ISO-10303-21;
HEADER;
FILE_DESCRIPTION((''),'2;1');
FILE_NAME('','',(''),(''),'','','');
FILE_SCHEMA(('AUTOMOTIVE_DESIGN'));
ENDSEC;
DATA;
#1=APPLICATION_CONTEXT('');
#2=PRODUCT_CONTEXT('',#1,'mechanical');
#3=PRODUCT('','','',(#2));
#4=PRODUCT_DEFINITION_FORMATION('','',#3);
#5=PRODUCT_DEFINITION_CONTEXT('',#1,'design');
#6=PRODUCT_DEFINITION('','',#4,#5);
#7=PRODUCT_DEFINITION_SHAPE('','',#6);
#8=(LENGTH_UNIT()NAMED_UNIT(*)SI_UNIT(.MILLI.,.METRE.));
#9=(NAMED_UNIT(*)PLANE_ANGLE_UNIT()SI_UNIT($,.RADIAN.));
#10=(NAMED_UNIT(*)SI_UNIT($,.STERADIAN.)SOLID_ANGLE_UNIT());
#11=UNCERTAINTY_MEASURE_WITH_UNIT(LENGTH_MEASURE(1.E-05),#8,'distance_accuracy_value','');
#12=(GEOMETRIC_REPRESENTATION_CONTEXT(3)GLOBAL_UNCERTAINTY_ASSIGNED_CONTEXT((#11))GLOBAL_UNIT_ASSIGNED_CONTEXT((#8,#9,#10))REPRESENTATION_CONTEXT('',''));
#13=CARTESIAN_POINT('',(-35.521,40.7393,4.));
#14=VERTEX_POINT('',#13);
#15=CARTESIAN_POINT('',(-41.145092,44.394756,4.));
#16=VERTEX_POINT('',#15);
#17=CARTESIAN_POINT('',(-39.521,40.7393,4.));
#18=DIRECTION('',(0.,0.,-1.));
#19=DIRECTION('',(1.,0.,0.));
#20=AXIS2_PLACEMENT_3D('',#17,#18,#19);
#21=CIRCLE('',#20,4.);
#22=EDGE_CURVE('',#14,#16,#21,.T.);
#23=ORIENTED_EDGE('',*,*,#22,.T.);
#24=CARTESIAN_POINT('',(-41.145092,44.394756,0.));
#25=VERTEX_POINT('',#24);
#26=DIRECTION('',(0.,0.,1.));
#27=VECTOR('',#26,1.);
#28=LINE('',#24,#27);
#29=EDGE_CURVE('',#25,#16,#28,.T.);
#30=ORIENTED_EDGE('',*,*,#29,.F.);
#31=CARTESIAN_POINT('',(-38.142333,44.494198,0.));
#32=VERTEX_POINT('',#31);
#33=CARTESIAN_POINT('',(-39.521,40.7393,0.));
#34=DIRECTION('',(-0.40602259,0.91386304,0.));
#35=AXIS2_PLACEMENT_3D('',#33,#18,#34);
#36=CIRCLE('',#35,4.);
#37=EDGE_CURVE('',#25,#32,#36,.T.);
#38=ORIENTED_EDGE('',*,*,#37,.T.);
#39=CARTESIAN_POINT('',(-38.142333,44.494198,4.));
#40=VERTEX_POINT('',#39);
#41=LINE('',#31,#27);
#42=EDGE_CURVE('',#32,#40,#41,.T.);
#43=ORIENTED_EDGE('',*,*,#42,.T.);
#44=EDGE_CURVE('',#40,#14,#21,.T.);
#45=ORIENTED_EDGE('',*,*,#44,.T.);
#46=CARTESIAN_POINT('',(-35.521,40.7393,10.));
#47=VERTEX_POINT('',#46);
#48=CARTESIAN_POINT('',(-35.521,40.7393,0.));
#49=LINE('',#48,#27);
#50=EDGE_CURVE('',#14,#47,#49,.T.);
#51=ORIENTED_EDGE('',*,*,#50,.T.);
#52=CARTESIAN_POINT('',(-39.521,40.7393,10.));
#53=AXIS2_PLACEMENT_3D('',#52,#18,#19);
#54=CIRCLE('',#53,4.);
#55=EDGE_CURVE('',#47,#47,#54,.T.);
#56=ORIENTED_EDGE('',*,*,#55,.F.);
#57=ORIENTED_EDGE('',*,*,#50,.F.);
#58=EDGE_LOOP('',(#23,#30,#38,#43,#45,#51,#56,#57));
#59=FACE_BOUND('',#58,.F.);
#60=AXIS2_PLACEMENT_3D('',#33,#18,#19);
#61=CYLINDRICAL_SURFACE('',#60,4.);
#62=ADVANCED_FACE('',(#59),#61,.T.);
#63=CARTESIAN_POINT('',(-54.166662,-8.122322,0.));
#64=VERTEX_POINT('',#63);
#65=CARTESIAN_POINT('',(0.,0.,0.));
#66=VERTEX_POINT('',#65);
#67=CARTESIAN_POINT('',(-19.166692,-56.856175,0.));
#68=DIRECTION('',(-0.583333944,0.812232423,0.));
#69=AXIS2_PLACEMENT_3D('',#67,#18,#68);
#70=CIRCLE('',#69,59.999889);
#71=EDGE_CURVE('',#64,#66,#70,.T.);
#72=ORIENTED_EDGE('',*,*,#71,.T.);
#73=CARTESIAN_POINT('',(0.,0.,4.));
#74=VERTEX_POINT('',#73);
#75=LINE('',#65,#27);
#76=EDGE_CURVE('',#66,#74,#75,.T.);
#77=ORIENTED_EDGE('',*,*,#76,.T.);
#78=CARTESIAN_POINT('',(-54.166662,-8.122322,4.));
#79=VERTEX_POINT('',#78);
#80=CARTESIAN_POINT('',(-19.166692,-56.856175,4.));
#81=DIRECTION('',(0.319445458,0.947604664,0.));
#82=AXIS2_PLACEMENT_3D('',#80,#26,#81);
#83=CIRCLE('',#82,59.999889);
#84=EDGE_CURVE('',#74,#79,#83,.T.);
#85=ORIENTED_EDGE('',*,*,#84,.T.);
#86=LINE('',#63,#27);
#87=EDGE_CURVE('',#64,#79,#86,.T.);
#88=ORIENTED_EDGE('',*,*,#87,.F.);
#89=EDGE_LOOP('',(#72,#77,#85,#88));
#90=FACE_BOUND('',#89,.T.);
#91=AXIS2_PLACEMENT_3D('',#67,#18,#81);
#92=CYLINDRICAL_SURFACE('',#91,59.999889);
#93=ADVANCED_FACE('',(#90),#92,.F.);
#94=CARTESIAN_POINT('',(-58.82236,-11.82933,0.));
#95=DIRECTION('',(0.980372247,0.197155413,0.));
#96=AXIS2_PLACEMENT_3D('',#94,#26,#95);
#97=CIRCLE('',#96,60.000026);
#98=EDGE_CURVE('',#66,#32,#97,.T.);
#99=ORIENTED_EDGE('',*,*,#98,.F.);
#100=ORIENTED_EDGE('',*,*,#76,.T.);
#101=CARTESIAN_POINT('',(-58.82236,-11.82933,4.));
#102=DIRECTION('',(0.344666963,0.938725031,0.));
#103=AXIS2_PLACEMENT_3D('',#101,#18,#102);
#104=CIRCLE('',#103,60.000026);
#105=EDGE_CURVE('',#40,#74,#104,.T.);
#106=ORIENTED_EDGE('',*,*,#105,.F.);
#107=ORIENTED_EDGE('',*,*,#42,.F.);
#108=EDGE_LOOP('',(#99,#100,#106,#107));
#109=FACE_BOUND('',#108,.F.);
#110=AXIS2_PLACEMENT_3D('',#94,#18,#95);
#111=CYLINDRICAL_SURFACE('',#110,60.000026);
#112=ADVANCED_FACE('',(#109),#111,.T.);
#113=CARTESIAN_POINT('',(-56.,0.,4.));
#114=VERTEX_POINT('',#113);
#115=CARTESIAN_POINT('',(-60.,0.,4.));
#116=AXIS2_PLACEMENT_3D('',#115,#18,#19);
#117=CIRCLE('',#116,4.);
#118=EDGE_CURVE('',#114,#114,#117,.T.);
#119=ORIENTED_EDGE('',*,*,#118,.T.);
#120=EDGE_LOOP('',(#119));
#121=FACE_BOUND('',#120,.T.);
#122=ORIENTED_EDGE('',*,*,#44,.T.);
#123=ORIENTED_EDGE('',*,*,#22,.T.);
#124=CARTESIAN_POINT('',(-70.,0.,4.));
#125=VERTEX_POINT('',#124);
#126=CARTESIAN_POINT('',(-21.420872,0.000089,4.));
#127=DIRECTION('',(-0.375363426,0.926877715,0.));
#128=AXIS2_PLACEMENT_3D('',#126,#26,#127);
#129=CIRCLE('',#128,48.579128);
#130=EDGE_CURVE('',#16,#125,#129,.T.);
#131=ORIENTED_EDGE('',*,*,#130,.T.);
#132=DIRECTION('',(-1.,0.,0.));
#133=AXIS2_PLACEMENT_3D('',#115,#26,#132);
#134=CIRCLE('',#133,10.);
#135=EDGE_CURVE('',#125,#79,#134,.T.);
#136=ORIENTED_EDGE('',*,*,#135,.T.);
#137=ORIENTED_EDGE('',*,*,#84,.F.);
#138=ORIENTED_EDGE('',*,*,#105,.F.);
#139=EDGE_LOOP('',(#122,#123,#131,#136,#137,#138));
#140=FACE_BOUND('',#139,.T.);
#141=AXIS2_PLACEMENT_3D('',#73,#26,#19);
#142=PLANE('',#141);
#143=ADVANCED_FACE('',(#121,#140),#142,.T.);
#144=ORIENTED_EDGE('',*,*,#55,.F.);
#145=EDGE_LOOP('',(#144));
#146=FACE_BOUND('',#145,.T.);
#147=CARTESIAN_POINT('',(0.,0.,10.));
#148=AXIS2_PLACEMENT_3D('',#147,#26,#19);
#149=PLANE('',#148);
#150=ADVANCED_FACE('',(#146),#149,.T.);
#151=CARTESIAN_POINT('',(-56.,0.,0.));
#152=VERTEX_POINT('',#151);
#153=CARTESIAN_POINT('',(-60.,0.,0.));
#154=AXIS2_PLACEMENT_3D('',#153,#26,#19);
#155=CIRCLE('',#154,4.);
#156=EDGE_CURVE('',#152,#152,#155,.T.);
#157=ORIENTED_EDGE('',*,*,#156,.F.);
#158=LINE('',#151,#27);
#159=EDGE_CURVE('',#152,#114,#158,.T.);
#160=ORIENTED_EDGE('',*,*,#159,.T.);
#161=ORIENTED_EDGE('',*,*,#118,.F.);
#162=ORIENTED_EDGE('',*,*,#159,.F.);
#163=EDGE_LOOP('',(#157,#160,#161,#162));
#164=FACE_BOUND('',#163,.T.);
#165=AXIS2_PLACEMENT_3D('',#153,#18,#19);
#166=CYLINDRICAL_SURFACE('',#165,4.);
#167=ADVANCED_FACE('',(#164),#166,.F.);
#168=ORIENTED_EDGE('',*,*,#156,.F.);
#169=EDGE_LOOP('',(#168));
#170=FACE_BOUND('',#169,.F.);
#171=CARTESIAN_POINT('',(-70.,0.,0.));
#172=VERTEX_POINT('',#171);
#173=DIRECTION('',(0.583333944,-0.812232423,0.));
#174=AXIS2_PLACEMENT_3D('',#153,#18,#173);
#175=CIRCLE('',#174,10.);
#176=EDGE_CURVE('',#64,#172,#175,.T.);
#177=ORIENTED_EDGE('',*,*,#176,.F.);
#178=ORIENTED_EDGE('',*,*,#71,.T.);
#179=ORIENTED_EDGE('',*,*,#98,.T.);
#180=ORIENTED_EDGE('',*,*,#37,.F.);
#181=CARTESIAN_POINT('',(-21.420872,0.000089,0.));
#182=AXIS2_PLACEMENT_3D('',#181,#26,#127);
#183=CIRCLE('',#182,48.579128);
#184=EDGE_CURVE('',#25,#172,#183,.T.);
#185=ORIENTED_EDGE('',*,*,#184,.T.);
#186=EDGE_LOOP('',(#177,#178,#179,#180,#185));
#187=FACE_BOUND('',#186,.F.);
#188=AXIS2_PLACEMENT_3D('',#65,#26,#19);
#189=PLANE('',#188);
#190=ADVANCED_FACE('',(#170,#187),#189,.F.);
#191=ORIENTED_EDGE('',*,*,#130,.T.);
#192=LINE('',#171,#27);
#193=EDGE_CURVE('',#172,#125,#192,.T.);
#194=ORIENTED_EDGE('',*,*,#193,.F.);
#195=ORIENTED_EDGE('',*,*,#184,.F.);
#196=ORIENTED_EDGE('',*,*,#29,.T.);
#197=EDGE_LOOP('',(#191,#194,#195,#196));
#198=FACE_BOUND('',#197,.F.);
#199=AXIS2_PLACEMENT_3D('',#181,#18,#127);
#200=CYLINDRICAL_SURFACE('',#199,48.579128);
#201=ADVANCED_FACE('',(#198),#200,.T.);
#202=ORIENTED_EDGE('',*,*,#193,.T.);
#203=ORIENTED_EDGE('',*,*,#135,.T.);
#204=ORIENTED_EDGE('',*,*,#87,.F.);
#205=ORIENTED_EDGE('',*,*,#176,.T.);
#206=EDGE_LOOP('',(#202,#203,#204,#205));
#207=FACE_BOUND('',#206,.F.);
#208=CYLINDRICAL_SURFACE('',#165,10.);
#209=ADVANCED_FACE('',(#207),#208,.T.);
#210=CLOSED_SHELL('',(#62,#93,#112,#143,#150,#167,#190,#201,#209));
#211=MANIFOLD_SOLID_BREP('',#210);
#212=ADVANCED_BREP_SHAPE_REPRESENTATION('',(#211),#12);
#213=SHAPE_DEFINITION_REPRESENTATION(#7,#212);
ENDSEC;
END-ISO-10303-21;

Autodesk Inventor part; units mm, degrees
ref_plane "YZ Plane" through (0, 0, 0) normal (1, 0, 0) x (0, 1, 0)
ref_plane "XZ Plane" through (0, 0, 0) normal (0, 1, 0) x (-1, 0, 0)
ref_plane "XY Plane" through (0, 0, 0) normal (0, 0, 1) x (1, 0, 0)
sketch "Sketch1" plane through (0, 0, 0) normal (0, 0, 1) x (1, 0, 0)
  circle A0 centre (0, 0) radius 50
  circle A1 centre (0, 0) radius 60
  circle A2 centre (0, 0) radius 70
  circle A3 centre (-60, 0) radius 10
  circle A4 centre (-60, 0) radius 4
  line L0 (0, 0) -> (-60, 0) construction
  line L1 (0, 0) -> (-30, -51.9615) construction
  circle A5 centre (-30, -51.9615) radius 10
  circle A6 centre (-30, -51.9615) radius 4
  line L2 (0, 0) -> (30, -51.9615) construction
  circle A7 centre (30, -51.9615) radius 10
  circle A8 centre (30, -51.9615) radius 4
  line L3 (0, 0) -> (60, 0) construction
  circle A9 centre (60, 0) radius 10
  circle A10 centre (60, 0) radius 4
  line L4 (0, 0) -> (30, 51.9615) construction
  circle A11 centre (30, 51.9615) radius 10
  circle A12 centre (30, 51.9615) radius 4
  line L5 (0, 0) -> (-30, 51.9615) construction
  circle A13 centre (-30, 51.9615) radius 10
  circle A14 centre (-30, 51.9615) radius 4
  arc A15 (0, 0) -> (-39.6557, 45.027) centre (-58.8223, -11.8293) ccw
  arc A16 (0, 0) -> (-58.8223, -11.8293) centre (-19.1667, -56.8563) ccw
  arc A17 (-39.6557, 45.027) -> (-70, 0) centre (-21.4208, 0) ccw
  line L6 (0, 0) -> (60, 0) construction
  circle A18 centre (-39.521, 40.7393) radius 4
  arc A19 (-39.521, 40.7393) -> (-85.0417, 38.105) centre (-60, 0) ccw construction
  line L7 (-60, 0) -> (-85.0417, 38.105) construction
  line L8 (-60, 0) -> (-39.521, 40.7393) construction
  line L9 (-85.0417, 38.105) -> (0, 0) construction
  point P0 (-54.1667, -8.1223)
  point P1 (-38.1423, 44.4942)
  point P2 (-40.0141, 44.7088)
  point P3 (-41.1451, 44.3947)
  dimension "d42" = 140
  dimension "d43" = 20
  dimension "d40" = 100
  dimension "d41" = 120
  dimension "d44" = 8
  dimension "d47" = 360
  dimension "d49" = 60
  dimension "d50" = 60
  dimension "d58" = 8
  dimension "d59" = 60
  dimension "d60" = 93.1885
extrude "Extrusion3" add sketch "Sketch1" along normal blind 4 contours A15 A16 A0 | A0 A3 A1 A18 A15 | A16 A3 A0 | A3 A1 A4 | A18 A1 | A3 A17 A18 A1 | A1 A4 A3 | A1 A18 picked at (-28.7442, 18.7739)
extrude "Extrusion4" add sketch "Sketch1" along normal blind 10 contours A18 A1 | A1 A18
properties part number "Shutter"
